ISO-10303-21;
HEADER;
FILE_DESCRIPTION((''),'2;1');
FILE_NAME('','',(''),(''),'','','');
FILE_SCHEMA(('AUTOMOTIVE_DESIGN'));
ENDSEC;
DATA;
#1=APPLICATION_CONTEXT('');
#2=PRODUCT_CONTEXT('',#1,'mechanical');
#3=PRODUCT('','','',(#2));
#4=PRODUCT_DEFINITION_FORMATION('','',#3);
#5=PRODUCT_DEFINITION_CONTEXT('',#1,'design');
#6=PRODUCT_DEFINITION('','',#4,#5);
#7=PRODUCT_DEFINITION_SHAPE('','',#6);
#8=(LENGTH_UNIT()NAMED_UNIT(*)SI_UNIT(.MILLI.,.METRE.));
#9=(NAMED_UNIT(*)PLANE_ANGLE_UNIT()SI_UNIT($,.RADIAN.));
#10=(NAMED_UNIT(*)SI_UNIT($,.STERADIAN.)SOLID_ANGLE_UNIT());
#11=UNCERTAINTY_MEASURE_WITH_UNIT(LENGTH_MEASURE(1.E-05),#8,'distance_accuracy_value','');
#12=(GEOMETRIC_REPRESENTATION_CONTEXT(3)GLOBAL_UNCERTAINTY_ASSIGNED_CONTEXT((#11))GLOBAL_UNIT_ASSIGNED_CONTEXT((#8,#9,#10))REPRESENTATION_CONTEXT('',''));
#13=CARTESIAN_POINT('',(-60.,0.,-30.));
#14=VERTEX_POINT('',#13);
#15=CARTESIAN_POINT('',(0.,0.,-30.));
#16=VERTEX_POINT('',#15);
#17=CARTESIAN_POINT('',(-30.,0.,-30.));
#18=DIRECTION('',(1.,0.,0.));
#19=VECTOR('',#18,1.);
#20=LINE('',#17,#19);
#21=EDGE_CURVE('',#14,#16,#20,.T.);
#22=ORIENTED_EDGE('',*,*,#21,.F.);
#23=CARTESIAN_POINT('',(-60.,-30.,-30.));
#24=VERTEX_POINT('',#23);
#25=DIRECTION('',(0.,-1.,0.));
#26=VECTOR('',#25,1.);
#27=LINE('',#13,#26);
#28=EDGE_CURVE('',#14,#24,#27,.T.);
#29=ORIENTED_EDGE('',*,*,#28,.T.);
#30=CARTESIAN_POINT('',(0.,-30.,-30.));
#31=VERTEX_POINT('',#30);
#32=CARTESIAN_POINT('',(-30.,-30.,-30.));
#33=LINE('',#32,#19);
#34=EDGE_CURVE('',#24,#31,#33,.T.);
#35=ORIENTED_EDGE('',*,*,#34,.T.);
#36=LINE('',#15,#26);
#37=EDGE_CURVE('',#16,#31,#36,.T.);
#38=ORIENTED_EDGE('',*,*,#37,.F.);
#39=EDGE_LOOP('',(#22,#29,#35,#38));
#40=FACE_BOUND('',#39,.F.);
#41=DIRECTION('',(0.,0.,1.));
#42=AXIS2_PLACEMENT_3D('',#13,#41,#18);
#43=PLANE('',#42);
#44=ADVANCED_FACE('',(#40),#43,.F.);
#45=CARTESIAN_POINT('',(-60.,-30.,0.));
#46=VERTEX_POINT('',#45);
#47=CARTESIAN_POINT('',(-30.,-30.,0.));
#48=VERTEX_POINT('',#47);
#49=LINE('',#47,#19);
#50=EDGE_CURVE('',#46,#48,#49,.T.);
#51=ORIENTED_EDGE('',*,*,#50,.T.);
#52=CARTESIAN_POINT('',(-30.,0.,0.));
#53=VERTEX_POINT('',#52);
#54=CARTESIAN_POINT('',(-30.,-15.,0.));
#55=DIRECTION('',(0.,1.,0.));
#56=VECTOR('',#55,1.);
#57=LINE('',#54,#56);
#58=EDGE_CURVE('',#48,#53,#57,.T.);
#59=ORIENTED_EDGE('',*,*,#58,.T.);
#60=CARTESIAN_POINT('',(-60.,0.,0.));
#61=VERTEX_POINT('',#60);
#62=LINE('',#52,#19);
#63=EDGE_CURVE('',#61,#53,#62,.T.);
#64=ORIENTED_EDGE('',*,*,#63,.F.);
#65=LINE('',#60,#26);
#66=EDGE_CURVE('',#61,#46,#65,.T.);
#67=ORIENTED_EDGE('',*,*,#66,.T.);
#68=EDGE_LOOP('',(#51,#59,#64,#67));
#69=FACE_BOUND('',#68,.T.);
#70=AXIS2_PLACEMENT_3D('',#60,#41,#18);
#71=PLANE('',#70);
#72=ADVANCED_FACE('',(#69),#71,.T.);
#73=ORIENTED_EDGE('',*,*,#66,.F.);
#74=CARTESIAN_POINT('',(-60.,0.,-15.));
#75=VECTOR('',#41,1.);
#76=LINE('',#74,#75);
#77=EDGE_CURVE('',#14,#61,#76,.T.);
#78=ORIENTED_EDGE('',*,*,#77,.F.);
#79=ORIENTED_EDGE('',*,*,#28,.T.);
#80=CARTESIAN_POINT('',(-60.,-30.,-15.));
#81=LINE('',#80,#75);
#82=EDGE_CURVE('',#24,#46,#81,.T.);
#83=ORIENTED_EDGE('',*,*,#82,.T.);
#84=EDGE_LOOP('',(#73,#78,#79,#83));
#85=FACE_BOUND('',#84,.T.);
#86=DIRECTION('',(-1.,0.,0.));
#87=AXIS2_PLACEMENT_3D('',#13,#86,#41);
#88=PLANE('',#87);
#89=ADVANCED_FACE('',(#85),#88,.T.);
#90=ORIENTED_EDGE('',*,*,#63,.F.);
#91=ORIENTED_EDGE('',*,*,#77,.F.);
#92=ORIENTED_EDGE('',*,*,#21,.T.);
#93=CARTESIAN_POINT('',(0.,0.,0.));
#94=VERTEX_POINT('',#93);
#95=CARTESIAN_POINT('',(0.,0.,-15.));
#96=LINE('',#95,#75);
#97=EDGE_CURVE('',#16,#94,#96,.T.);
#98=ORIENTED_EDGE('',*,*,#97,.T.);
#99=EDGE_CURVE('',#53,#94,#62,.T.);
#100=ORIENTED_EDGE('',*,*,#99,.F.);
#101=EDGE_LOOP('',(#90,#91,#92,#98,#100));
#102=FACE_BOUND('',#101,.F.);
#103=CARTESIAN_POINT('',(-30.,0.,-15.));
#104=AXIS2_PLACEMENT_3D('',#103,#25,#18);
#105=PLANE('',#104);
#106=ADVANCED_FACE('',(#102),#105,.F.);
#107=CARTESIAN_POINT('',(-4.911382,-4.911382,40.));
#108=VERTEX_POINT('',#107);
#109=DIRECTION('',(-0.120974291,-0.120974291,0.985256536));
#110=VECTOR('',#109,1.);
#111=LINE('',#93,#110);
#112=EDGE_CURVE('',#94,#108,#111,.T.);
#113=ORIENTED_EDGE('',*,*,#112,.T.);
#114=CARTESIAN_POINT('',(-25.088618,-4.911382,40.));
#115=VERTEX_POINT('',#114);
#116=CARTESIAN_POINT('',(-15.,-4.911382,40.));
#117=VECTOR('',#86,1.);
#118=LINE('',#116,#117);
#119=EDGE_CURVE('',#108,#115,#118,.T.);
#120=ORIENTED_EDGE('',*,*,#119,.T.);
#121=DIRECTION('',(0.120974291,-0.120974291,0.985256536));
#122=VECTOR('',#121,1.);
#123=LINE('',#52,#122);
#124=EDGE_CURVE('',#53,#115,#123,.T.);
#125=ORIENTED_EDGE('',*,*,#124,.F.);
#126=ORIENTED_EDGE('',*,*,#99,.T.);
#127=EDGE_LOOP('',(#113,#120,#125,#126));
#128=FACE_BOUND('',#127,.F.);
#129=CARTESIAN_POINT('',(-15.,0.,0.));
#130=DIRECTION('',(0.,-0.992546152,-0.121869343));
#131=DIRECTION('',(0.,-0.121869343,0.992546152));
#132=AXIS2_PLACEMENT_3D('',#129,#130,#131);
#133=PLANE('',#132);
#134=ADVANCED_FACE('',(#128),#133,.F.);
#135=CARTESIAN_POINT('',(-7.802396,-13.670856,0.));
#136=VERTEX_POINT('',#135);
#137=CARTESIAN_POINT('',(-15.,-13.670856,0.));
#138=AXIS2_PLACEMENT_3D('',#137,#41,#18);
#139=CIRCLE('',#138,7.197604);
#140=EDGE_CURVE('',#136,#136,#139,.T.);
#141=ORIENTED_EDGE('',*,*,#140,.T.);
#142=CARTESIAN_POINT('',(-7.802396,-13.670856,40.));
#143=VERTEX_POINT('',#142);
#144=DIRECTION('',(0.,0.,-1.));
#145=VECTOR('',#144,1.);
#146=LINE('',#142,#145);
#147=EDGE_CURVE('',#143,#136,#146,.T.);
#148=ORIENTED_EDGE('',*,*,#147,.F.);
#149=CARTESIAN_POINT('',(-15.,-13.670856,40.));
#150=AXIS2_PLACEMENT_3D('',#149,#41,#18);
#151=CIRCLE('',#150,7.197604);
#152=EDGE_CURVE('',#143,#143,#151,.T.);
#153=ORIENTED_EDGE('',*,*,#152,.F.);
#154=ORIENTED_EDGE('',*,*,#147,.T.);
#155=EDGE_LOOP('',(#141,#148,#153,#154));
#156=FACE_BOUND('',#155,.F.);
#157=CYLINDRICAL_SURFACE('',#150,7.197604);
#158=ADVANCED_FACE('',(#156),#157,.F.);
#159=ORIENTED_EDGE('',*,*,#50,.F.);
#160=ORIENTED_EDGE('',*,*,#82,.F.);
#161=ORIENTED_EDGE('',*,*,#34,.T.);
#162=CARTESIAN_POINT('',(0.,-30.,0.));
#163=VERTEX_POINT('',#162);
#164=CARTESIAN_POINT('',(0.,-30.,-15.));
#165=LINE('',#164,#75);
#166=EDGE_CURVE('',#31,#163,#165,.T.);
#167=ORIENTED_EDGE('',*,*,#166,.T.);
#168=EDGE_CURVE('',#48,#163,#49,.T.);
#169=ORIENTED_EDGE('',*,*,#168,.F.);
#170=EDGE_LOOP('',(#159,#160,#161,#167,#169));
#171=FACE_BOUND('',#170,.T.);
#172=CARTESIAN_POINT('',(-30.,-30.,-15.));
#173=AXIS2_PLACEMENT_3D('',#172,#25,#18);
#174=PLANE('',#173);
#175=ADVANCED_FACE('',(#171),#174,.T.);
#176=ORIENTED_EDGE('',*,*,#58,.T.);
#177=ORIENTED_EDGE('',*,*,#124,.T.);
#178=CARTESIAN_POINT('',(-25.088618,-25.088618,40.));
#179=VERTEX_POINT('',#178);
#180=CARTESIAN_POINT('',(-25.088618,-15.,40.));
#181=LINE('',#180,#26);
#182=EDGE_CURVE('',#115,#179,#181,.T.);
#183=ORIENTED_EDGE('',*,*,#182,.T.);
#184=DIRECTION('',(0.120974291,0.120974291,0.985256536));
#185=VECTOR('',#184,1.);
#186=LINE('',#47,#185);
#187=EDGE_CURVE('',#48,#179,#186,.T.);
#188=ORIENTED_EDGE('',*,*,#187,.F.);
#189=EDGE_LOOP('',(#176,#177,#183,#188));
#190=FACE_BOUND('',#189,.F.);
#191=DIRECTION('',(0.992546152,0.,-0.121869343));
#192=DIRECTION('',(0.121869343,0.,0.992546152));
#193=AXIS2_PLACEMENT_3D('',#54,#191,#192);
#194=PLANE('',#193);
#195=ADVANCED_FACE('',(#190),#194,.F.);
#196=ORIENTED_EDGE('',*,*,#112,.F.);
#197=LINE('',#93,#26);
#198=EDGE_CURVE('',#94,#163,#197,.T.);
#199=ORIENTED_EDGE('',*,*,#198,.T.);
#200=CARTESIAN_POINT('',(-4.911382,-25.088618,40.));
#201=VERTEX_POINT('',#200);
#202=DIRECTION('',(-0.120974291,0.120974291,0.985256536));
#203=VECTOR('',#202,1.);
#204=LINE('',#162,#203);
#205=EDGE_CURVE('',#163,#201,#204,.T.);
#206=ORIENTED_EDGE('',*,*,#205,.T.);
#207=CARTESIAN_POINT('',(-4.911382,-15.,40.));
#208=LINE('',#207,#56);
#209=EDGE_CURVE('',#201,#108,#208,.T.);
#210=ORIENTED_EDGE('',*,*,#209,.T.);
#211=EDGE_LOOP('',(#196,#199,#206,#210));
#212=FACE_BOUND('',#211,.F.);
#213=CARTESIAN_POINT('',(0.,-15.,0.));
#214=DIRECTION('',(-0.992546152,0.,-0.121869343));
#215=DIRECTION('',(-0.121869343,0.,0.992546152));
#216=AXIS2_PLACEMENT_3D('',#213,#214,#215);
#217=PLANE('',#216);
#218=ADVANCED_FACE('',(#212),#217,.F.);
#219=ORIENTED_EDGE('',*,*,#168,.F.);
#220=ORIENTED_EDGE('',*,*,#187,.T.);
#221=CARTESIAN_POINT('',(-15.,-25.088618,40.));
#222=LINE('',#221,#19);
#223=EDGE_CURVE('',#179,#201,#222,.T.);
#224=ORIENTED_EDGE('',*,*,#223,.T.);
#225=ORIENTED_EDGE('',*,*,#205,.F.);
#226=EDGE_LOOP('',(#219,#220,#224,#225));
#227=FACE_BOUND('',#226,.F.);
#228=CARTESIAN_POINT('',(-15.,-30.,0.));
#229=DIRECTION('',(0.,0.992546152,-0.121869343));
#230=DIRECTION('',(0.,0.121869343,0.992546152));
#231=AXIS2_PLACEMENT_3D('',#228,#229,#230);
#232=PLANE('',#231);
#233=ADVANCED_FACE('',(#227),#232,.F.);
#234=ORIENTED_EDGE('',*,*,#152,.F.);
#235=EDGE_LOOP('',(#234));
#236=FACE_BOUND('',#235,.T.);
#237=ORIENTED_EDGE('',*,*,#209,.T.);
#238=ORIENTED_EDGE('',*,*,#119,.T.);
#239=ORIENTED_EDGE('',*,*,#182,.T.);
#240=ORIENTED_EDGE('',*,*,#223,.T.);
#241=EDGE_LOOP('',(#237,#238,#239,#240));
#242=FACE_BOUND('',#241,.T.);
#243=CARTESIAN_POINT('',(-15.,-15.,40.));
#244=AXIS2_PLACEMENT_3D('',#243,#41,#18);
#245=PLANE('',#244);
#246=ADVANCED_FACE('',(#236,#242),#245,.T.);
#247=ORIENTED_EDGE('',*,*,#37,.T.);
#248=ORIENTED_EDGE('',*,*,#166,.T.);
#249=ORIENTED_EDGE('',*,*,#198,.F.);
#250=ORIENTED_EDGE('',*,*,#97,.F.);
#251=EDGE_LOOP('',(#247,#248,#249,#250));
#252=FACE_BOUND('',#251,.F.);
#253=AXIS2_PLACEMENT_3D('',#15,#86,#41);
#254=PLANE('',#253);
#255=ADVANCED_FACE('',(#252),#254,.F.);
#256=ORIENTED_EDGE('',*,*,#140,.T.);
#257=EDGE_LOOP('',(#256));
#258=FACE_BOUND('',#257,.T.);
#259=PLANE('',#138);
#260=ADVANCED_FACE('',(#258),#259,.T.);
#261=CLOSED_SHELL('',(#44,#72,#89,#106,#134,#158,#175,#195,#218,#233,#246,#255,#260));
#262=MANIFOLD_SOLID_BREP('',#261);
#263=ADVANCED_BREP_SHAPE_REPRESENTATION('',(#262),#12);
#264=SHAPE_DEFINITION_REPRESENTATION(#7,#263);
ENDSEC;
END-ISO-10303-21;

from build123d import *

# Parameters (mm, degrees)
F0_W     = 60
F0_H     = 30
F1_DEPTH = 30
F2_W     = 30
F2_H     = 30
F3_DEPTH = 40
F3_TAPER = 7
F4_R     = 7.1976041046
F5_DEPTH = 40


with BuildPart() as f1:
    # F0 (on Front) → F1 (new body)
    with BuildSketch(Plane.XZ):
        with Locations((-30, -15)):
            Rectangle(F0_W, F0_H)
    extrude(amount=F1_DEPTH)

    # F2 (on face) → F3 (join)
    with BuildSketch(Plane.XY):
        with Locations((-15, -15)):
            Rectangle(F2_W, F2_H)
    extrude(amount=F3_DEPTH, taper=F3_TAPER)

    # F4 (on face) → F5 (cut)
    with BuildSketch(Plane.XY.offset(40)):
        with Locations((-15, -13.6708561331)):
            Circle(F4_R)
    extrude(amount=-F5_DEPTH, mode=Mode.SUBTRACT)


solid = f1.part
